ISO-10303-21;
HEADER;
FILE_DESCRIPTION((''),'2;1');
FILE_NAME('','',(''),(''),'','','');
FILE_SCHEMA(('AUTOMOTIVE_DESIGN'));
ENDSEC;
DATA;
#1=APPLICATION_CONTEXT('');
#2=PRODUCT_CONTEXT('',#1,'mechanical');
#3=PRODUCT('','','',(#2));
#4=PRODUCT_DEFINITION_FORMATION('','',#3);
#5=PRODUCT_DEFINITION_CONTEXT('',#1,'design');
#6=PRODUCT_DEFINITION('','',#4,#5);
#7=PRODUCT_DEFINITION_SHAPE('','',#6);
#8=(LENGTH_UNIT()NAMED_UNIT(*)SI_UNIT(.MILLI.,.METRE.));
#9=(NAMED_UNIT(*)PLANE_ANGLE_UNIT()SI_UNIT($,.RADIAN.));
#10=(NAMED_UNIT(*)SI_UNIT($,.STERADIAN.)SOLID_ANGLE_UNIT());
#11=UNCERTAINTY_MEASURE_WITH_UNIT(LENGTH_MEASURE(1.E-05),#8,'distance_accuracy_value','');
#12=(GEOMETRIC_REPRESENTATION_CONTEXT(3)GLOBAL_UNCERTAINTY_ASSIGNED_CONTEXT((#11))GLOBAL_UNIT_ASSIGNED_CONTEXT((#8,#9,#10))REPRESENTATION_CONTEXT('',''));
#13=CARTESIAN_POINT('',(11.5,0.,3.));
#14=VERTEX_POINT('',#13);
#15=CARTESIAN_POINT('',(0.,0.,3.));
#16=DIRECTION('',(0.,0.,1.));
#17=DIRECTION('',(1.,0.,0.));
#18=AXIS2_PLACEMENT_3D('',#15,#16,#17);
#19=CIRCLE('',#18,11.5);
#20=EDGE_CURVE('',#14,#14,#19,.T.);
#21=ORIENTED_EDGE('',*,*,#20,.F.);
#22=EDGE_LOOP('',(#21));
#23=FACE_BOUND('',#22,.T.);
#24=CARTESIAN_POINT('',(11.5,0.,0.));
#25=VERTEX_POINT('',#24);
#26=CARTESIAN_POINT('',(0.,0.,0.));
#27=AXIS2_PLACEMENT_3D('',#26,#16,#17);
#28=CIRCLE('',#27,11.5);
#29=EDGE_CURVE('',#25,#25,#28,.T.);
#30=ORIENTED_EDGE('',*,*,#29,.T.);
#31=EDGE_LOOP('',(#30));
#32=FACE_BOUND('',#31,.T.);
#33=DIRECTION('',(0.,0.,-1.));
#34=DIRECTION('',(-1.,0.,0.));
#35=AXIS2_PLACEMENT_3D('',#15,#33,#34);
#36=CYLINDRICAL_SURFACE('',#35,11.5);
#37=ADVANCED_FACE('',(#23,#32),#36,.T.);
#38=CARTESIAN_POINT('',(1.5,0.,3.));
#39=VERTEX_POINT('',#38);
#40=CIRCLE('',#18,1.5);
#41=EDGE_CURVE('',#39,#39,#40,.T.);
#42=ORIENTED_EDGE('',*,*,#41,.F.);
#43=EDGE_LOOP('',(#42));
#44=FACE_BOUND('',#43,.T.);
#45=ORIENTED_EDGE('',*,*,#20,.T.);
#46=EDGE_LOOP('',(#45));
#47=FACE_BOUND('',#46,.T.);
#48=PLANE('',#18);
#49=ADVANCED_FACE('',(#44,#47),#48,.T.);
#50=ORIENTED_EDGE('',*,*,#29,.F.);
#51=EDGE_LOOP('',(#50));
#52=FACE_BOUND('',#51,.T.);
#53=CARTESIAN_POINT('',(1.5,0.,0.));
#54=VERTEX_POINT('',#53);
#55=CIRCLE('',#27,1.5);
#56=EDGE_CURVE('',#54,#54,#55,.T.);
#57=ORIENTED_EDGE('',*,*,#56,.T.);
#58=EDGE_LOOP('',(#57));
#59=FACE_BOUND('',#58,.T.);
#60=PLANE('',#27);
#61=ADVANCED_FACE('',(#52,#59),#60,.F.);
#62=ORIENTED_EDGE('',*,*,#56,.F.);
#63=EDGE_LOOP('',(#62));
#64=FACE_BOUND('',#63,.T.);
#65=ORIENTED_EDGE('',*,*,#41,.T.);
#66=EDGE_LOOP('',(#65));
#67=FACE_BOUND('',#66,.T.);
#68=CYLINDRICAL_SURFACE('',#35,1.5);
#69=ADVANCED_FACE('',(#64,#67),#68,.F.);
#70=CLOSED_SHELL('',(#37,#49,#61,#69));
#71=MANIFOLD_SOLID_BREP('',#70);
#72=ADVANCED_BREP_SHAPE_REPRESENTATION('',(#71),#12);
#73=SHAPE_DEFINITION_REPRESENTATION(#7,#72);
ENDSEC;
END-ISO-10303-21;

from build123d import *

# Parameters (mm, degrees)
CROQUIS1_R              = 11.5
CROQUIS1_R_2            = 1.5
SALIENTE_EXTRUIR1_DEPTH = 3


with BuildPart() as part:
    # Croquis1 → Saliente-Extruir1 (new body)
    with BuildSketch(Plane.XY):
        Circle(CROQUIS1_R)
        Circle(CROQUIS1_R_2, mode=Mode.SUBTRACT)
    extrude(amount=SALIENTE_EXTRUIR1_DEPTH)


solid = part.part
